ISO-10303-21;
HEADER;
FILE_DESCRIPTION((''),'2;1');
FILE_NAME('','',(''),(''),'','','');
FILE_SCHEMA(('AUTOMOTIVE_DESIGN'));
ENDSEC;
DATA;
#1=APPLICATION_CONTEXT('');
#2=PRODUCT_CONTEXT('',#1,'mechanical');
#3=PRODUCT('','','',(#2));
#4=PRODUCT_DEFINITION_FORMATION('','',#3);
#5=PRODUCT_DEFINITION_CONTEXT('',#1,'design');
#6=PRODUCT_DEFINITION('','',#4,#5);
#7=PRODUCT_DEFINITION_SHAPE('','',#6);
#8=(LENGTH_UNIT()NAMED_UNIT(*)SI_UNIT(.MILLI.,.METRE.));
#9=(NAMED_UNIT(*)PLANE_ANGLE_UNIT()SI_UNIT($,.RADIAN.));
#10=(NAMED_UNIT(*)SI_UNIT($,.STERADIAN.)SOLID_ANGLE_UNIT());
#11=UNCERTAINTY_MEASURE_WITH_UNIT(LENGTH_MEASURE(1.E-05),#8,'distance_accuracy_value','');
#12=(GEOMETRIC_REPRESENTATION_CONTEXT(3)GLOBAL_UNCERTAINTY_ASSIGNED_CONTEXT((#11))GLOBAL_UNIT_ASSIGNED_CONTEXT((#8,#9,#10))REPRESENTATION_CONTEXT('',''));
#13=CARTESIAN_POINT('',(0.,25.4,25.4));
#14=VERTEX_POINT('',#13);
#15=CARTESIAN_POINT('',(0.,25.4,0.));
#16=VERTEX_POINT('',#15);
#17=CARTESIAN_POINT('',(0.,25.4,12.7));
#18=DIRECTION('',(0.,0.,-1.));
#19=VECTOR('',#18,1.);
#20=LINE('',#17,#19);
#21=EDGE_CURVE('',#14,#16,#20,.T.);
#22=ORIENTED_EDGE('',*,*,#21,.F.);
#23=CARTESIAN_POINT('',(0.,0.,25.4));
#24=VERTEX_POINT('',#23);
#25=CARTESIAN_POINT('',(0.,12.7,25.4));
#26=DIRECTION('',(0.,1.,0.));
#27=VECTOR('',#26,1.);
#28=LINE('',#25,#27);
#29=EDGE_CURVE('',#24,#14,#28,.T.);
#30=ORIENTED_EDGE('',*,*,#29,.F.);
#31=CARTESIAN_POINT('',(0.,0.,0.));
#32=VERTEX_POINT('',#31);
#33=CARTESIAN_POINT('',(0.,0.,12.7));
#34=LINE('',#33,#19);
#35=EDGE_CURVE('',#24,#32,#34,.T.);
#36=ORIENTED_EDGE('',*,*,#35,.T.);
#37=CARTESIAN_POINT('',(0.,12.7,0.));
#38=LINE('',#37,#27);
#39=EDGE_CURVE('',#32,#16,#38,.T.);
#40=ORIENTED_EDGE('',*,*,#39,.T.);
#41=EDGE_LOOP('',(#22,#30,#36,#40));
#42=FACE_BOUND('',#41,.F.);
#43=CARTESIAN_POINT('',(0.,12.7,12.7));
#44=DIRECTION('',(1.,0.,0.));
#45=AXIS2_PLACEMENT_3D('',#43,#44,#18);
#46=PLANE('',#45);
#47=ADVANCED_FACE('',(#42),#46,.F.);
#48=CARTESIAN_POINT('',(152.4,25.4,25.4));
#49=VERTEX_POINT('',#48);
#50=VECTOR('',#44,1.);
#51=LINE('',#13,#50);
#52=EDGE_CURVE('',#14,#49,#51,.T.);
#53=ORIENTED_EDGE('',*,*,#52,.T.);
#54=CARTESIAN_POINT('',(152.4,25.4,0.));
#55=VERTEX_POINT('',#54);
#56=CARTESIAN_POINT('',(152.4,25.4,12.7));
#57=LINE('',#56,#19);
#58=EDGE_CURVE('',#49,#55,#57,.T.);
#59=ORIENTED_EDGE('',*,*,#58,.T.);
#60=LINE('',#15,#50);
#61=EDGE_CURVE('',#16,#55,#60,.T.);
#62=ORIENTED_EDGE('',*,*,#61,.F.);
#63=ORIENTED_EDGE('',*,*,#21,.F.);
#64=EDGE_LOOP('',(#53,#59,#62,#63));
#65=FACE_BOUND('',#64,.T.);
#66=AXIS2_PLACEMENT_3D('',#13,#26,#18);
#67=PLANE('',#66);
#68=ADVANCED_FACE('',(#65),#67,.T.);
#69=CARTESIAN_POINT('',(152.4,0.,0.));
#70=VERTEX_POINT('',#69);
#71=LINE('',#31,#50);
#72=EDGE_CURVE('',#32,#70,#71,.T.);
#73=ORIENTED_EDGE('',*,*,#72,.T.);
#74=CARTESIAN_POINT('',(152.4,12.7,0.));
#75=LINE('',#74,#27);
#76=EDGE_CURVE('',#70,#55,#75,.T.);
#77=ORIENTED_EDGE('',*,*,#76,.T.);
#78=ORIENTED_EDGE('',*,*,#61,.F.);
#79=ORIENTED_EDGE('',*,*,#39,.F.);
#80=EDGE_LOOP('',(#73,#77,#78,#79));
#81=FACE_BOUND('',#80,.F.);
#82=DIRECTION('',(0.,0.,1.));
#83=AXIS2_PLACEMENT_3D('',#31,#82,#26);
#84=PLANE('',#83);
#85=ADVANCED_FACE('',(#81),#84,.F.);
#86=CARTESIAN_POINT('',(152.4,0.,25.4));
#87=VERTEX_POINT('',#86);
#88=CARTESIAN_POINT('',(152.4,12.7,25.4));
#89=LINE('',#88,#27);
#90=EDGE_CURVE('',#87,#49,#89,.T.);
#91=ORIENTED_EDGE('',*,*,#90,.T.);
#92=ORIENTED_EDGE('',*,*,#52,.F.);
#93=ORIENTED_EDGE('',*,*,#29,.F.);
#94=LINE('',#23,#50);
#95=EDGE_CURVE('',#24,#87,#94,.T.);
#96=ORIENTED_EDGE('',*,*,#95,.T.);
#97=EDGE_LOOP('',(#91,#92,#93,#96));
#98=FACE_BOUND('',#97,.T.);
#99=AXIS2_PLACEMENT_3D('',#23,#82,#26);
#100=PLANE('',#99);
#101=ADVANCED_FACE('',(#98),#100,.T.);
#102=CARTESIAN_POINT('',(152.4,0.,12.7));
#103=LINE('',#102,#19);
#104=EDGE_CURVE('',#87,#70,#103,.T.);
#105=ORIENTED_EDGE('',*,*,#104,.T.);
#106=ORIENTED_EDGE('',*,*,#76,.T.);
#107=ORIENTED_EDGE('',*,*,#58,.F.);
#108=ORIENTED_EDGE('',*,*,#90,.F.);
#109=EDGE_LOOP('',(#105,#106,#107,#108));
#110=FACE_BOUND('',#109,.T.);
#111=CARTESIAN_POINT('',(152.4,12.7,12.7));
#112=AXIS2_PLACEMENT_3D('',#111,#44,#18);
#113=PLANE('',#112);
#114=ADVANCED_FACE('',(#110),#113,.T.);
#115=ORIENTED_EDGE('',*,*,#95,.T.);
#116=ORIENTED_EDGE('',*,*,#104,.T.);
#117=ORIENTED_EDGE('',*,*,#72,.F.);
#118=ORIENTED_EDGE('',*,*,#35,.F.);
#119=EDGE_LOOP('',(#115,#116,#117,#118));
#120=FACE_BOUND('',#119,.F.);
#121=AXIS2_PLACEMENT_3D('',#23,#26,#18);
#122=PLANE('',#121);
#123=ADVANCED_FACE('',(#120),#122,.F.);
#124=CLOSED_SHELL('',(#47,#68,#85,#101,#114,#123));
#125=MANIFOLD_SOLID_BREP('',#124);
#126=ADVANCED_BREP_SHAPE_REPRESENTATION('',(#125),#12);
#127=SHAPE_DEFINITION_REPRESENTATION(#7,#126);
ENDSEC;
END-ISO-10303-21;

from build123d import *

# Parameters (mm, degrees)
SKETCH1_W           = 25.4
SKETCH1_H           = 25.4
BOSS_EXTRUDE1_DEPTH = 152.4


with BuildPart() as part:
    # Sketch1 → Boss-Extrude1 (new body)
    with BuildSketch(Plane(origin=(0, 0, 0), x_dir=(0, 0, -1), z_dir=(1, 0, 0))):
        with Locations((-12.7, 12.7)):
            Rectangle(SKETCH1_W, SKETCH1_H)
    extrude(amount=BOSS_EXTRUDE1_DEPTH)


solid = part.part
